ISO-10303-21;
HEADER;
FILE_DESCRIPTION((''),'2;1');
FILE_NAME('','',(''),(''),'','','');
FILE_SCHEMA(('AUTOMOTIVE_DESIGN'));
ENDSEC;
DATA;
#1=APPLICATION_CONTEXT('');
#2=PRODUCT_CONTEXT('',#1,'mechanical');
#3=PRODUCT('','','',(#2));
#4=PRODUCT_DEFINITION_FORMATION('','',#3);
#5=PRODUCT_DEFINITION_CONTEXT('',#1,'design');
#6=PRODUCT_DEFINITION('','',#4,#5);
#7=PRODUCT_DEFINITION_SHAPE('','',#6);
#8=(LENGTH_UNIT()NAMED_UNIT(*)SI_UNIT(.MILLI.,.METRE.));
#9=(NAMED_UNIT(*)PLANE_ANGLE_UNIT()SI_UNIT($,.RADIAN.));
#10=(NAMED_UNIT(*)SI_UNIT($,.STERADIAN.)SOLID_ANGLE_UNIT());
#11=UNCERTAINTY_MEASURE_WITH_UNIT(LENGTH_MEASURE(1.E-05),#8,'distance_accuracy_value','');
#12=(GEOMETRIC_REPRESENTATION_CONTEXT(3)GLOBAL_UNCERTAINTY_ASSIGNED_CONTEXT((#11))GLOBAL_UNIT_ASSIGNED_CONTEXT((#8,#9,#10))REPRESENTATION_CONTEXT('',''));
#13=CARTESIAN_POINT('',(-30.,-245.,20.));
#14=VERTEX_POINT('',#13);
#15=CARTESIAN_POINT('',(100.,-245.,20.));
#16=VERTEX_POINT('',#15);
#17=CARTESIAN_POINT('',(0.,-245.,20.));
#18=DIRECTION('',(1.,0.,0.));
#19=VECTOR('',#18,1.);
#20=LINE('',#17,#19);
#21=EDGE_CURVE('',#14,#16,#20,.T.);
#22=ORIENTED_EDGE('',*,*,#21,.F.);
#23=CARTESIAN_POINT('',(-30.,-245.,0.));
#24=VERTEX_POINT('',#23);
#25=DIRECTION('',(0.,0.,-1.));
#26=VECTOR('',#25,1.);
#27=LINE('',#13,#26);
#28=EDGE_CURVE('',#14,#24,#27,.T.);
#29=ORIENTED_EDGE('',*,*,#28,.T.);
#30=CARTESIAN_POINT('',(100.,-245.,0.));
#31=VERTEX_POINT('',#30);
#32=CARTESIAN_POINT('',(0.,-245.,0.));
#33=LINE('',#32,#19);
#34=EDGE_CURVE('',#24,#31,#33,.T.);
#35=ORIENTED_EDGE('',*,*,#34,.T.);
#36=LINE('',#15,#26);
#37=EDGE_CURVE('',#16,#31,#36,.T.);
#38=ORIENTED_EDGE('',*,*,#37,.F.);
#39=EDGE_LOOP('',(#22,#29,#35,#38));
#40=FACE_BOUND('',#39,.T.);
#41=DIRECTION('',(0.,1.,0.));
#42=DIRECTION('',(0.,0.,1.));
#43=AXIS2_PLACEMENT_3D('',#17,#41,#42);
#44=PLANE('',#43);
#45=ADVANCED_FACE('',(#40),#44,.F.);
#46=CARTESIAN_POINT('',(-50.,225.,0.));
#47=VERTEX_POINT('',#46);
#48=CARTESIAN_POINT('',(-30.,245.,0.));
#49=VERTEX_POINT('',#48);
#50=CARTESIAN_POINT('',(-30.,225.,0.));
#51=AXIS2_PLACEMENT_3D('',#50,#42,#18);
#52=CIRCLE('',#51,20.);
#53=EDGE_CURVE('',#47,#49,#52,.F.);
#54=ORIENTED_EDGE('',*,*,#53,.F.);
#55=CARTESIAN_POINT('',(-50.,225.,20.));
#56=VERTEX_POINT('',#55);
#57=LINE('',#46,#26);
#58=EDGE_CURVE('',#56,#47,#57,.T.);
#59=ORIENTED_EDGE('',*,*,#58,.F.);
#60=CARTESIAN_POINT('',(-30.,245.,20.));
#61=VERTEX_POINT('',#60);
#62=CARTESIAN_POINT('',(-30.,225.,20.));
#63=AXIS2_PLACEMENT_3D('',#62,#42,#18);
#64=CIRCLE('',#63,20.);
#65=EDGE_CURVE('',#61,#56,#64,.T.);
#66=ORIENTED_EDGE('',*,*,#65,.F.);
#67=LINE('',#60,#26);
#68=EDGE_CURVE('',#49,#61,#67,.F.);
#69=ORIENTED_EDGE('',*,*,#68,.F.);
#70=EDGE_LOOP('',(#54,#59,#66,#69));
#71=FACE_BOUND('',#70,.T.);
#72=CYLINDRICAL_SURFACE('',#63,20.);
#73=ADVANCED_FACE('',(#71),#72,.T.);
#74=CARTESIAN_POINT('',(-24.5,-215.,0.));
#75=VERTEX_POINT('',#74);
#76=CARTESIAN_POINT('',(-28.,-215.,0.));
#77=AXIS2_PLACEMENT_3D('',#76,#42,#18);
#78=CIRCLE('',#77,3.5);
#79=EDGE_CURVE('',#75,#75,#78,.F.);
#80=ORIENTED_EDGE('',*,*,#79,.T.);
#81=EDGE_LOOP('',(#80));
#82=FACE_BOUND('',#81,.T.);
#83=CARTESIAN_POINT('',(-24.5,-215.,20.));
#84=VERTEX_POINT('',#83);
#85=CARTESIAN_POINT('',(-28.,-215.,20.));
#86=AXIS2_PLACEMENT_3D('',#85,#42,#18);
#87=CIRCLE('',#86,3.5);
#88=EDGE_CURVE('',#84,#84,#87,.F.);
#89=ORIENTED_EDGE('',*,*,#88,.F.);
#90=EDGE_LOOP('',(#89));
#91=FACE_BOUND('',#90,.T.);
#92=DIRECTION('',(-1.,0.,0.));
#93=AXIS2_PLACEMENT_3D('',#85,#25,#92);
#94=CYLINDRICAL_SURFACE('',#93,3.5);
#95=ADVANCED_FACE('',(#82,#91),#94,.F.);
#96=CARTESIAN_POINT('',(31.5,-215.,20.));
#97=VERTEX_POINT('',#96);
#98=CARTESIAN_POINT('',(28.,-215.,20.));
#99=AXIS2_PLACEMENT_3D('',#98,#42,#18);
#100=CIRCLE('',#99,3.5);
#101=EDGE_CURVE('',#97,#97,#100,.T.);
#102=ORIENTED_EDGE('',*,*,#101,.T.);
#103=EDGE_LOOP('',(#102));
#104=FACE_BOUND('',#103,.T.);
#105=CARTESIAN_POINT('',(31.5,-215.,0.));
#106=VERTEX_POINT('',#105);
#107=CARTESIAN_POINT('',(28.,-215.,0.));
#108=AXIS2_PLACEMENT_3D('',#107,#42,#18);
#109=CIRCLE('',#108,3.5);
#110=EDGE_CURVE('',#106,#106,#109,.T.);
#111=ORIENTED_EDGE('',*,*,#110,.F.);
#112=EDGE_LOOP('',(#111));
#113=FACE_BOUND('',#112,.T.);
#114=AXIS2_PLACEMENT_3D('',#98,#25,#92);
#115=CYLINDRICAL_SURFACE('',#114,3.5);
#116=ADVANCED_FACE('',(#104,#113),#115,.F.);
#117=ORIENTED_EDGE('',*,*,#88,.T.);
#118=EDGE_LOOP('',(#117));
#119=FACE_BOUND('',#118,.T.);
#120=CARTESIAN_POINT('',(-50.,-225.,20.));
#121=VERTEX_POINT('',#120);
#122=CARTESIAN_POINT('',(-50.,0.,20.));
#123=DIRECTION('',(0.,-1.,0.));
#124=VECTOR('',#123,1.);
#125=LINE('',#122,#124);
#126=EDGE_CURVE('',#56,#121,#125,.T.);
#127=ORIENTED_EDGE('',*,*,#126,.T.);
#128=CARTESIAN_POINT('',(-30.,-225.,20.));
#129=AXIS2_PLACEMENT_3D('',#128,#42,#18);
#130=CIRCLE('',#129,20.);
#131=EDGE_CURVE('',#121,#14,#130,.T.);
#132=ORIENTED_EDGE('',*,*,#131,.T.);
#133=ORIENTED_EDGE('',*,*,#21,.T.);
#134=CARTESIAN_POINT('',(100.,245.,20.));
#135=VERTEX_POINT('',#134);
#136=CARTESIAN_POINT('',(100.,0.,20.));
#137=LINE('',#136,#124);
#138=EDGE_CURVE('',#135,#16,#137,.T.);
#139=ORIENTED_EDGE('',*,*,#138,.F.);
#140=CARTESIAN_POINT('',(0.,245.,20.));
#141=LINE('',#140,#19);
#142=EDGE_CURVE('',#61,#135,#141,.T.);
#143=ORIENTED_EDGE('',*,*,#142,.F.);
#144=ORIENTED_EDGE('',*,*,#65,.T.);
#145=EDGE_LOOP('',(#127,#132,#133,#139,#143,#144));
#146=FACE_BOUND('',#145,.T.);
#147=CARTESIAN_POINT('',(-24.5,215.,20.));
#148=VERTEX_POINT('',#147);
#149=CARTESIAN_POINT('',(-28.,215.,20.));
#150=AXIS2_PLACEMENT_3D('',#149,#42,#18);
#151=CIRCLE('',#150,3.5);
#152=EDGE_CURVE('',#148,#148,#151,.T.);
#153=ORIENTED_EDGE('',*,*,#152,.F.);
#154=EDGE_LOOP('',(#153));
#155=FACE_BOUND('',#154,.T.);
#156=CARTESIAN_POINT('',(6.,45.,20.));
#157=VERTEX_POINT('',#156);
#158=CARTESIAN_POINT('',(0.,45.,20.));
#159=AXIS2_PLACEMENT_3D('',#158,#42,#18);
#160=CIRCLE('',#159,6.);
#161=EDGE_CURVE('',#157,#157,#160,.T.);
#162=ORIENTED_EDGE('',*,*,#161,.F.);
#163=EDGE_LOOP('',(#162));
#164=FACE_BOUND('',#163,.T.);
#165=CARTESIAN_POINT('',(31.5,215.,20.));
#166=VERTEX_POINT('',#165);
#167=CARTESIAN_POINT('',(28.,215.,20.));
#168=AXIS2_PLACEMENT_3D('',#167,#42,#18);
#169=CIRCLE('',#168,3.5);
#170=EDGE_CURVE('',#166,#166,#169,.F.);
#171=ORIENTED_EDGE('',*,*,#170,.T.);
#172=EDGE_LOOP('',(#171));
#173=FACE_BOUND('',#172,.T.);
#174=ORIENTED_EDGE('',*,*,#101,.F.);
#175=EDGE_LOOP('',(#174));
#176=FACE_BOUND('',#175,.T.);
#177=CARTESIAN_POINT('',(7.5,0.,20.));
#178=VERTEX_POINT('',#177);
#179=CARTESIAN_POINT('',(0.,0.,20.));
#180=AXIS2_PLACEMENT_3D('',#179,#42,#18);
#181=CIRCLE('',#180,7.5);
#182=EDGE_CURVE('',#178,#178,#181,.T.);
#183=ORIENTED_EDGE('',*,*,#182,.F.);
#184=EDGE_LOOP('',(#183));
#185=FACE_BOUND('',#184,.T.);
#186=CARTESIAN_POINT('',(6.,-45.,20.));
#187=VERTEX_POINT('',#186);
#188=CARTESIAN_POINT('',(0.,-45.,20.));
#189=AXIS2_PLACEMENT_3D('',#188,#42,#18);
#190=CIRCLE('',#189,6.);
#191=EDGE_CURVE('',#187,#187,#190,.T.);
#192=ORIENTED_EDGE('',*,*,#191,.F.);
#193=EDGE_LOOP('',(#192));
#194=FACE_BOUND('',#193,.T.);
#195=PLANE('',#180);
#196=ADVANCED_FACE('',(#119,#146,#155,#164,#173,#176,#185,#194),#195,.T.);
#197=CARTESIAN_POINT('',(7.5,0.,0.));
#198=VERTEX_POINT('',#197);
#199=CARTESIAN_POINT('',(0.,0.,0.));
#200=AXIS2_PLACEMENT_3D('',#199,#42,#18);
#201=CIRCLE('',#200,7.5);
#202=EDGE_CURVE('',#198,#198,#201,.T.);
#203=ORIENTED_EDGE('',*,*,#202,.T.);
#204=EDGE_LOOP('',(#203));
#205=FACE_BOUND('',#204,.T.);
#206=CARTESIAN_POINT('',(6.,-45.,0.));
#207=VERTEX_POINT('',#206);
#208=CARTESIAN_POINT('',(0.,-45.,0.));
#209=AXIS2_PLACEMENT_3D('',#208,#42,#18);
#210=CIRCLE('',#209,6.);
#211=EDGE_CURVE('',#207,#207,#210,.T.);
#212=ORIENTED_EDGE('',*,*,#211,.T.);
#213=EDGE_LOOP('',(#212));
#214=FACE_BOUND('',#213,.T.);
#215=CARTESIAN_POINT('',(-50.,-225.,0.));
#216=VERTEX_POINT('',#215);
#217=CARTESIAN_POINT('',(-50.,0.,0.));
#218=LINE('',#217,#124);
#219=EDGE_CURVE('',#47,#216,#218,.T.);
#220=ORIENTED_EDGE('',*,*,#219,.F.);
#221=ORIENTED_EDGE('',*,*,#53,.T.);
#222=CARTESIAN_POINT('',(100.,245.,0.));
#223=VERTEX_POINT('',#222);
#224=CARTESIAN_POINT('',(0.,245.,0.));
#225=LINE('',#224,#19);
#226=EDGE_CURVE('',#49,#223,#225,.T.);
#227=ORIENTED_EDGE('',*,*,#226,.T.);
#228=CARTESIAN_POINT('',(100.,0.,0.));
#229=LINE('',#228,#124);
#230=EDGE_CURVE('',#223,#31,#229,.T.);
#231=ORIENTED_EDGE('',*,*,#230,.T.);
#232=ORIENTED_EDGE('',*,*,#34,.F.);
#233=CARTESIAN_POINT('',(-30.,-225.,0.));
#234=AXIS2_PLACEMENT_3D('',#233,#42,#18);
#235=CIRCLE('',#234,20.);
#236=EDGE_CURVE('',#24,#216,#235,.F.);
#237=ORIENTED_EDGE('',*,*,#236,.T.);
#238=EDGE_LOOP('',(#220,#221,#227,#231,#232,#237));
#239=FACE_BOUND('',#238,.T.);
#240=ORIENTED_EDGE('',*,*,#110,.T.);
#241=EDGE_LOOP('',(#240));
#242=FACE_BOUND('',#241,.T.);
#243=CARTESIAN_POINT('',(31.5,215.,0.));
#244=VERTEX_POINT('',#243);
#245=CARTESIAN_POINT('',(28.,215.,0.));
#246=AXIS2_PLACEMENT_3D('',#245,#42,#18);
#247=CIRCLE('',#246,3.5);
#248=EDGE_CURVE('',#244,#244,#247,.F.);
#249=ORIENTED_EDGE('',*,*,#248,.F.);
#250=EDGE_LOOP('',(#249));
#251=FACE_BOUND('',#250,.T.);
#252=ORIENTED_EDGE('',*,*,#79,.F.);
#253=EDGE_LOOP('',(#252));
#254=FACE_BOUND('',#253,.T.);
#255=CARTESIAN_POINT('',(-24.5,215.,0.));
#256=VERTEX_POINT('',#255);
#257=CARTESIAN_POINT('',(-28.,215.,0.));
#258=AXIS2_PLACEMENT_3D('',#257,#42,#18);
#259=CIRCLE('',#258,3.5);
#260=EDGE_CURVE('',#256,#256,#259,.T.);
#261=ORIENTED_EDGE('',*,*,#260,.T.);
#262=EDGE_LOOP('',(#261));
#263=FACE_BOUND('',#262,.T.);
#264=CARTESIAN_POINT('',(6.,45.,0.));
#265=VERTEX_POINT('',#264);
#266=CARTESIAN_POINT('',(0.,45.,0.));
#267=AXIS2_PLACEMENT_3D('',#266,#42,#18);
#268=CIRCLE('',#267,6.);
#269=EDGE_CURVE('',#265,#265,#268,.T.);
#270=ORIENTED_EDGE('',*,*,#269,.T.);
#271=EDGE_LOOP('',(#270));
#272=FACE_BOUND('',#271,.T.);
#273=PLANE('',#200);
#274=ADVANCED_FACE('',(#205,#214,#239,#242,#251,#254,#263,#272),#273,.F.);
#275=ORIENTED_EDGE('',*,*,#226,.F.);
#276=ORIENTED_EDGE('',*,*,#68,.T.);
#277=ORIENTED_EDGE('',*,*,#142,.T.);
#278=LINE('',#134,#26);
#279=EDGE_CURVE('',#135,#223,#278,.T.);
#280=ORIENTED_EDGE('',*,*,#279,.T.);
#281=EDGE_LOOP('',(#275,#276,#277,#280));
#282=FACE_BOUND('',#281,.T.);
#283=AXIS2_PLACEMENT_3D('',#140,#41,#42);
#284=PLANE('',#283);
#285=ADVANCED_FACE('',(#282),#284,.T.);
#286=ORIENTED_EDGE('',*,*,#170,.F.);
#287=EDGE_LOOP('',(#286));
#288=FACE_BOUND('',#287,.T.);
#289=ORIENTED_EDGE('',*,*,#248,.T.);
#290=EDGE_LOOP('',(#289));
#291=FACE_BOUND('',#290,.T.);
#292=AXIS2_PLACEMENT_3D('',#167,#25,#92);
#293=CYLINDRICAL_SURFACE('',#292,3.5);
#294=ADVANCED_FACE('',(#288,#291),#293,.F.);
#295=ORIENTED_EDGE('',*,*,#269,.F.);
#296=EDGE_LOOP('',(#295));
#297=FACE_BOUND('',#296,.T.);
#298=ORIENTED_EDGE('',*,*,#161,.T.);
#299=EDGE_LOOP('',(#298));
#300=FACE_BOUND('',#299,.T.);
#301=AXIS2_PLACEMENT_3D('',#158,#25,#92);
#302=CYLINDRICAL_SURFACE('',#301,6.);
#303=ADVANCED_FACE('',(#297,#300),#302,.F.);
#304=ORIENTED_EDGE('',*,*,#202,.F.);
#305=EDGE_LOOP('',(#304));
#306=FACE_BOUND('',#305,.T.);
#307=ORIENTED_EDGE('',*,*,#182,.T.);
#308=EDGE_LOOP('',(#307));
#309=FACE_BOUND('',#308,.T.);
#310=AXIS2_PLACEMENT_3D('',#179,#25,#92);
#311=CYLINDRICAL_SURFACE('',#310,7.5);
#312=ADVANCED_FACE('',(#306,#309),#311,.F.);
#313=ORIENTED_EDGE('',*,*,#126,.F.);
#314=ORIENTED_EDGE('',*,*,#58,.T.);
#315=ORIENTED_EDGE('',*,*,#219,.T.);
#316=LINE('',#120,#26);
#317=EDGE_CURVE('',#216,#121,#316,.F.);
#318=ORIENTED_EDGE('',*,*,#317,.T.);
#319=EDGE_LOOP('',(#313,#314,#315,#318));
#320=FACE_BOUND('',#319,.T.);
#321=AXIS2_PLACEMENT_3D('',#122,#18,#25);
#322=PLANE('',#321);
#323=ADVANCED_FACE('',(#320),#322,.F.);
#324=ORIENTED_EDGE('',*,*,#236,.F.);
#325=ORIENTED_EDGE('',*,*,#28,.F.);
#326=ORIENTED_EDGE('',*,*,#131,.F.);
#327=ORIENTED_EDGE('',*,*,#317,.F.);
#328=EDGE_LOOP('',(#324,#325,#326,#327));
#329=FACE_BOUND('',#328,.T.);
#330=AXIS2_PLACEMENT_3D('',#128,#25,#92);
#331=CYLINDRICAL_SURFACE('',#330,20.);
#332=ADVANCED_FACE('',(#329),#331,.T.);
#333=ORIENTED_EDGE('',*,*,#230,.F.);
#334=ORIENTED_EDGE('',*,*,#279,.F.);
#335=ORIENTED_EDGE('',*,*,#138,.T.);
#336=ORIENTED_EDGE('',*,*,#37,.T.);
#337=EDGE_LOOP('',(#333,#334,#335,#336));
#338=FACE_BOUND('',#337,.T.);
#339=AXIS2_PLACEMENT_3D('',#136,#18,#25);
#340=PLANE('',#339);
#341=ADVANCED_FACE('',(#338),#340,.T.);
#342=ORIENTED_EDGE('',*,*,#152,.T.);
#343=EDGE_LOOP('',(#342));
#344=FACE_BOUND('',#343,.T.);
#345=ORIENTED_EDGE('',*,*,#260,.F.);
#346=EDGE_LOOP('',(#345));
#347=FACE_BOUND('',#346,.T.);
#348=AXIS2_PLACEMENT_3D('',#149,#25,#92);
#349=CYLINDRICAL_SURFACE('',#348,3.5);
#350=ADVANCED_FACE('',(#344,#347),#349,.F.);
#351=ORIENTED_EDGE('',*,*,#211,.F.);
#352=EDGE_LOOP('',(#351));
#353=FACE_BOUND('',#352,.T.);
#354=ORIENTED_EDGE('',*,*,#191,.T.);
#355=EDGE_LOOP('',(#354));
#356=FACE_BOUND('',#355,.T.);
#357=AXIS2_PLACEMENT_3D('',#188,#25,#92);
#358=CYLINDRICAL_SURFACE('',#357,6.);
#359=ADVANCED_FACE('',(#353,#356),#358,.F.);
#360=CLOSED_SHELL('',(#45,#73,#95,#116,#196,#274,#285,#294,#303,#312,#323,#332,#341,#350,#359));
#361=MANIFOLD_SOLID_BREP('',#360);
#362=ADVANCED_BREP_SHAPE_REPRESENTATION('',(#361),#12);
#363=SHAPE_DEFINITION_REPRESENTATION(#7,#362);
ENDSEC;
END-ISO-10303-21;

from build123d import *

# Parameters (mm, degrees)
SKETCH_1_W      = 150
SKETCH_1_H      = 490
SKETCH_1_R      = 3.5
SKETCH_1_R_2    = 6
SKETCH_1_R_3    = 7.5
EXTRUDE_1_DEPTH = 20
FILLET_1_R      = 20


with BuildPart() as part:
    # Эскиз1 → Бобышка-Вытянуть1 (new body)
    with BuildSketch(Plane.XY):
        with Locations((25, 0)):
            Rectangle(SKETCH_1_W, SKETCH_1_H)
        with Locations((-28, -215)):
            Circle(SKETCH_1_R, mode=Mode.SUBTRACT)
        with Locations((0, -45)):
            Circle(SKETCH_1_R_2, mode=Mode.SUBTRACT)
        with Locations((28, -215)):
            Circle(SKETCH_1_R, mode=Mode.SUBTRACT)
        Circle(SKETCH_1_R_3, mode=Mode.SUBTRACT)
        with Locations((0, 45)):
            Circle(SKETCH_1_R_2, mode=Mode.SUBTRACT)
        with Locations((-28, 215)):
            Circle(SKETCH_1_R, mode=Mode.SUBTRACT)
        with Locations((28, 215)):
            Circle(SKETCH_1_R, mode=Mode.SUBTRACT)
    extrude(amount=EXTRUDE_1_DEPTH)

    # Скругление1
    fillet_1_edges = [part.edges().sort_by_distance(p)[0] for p in [
        (-50, 245, 10),
        (-50, -245, 10),
    ]]
    fillet(fillet_1_edges, radius=FILLET_1_R)


solid = part.part
